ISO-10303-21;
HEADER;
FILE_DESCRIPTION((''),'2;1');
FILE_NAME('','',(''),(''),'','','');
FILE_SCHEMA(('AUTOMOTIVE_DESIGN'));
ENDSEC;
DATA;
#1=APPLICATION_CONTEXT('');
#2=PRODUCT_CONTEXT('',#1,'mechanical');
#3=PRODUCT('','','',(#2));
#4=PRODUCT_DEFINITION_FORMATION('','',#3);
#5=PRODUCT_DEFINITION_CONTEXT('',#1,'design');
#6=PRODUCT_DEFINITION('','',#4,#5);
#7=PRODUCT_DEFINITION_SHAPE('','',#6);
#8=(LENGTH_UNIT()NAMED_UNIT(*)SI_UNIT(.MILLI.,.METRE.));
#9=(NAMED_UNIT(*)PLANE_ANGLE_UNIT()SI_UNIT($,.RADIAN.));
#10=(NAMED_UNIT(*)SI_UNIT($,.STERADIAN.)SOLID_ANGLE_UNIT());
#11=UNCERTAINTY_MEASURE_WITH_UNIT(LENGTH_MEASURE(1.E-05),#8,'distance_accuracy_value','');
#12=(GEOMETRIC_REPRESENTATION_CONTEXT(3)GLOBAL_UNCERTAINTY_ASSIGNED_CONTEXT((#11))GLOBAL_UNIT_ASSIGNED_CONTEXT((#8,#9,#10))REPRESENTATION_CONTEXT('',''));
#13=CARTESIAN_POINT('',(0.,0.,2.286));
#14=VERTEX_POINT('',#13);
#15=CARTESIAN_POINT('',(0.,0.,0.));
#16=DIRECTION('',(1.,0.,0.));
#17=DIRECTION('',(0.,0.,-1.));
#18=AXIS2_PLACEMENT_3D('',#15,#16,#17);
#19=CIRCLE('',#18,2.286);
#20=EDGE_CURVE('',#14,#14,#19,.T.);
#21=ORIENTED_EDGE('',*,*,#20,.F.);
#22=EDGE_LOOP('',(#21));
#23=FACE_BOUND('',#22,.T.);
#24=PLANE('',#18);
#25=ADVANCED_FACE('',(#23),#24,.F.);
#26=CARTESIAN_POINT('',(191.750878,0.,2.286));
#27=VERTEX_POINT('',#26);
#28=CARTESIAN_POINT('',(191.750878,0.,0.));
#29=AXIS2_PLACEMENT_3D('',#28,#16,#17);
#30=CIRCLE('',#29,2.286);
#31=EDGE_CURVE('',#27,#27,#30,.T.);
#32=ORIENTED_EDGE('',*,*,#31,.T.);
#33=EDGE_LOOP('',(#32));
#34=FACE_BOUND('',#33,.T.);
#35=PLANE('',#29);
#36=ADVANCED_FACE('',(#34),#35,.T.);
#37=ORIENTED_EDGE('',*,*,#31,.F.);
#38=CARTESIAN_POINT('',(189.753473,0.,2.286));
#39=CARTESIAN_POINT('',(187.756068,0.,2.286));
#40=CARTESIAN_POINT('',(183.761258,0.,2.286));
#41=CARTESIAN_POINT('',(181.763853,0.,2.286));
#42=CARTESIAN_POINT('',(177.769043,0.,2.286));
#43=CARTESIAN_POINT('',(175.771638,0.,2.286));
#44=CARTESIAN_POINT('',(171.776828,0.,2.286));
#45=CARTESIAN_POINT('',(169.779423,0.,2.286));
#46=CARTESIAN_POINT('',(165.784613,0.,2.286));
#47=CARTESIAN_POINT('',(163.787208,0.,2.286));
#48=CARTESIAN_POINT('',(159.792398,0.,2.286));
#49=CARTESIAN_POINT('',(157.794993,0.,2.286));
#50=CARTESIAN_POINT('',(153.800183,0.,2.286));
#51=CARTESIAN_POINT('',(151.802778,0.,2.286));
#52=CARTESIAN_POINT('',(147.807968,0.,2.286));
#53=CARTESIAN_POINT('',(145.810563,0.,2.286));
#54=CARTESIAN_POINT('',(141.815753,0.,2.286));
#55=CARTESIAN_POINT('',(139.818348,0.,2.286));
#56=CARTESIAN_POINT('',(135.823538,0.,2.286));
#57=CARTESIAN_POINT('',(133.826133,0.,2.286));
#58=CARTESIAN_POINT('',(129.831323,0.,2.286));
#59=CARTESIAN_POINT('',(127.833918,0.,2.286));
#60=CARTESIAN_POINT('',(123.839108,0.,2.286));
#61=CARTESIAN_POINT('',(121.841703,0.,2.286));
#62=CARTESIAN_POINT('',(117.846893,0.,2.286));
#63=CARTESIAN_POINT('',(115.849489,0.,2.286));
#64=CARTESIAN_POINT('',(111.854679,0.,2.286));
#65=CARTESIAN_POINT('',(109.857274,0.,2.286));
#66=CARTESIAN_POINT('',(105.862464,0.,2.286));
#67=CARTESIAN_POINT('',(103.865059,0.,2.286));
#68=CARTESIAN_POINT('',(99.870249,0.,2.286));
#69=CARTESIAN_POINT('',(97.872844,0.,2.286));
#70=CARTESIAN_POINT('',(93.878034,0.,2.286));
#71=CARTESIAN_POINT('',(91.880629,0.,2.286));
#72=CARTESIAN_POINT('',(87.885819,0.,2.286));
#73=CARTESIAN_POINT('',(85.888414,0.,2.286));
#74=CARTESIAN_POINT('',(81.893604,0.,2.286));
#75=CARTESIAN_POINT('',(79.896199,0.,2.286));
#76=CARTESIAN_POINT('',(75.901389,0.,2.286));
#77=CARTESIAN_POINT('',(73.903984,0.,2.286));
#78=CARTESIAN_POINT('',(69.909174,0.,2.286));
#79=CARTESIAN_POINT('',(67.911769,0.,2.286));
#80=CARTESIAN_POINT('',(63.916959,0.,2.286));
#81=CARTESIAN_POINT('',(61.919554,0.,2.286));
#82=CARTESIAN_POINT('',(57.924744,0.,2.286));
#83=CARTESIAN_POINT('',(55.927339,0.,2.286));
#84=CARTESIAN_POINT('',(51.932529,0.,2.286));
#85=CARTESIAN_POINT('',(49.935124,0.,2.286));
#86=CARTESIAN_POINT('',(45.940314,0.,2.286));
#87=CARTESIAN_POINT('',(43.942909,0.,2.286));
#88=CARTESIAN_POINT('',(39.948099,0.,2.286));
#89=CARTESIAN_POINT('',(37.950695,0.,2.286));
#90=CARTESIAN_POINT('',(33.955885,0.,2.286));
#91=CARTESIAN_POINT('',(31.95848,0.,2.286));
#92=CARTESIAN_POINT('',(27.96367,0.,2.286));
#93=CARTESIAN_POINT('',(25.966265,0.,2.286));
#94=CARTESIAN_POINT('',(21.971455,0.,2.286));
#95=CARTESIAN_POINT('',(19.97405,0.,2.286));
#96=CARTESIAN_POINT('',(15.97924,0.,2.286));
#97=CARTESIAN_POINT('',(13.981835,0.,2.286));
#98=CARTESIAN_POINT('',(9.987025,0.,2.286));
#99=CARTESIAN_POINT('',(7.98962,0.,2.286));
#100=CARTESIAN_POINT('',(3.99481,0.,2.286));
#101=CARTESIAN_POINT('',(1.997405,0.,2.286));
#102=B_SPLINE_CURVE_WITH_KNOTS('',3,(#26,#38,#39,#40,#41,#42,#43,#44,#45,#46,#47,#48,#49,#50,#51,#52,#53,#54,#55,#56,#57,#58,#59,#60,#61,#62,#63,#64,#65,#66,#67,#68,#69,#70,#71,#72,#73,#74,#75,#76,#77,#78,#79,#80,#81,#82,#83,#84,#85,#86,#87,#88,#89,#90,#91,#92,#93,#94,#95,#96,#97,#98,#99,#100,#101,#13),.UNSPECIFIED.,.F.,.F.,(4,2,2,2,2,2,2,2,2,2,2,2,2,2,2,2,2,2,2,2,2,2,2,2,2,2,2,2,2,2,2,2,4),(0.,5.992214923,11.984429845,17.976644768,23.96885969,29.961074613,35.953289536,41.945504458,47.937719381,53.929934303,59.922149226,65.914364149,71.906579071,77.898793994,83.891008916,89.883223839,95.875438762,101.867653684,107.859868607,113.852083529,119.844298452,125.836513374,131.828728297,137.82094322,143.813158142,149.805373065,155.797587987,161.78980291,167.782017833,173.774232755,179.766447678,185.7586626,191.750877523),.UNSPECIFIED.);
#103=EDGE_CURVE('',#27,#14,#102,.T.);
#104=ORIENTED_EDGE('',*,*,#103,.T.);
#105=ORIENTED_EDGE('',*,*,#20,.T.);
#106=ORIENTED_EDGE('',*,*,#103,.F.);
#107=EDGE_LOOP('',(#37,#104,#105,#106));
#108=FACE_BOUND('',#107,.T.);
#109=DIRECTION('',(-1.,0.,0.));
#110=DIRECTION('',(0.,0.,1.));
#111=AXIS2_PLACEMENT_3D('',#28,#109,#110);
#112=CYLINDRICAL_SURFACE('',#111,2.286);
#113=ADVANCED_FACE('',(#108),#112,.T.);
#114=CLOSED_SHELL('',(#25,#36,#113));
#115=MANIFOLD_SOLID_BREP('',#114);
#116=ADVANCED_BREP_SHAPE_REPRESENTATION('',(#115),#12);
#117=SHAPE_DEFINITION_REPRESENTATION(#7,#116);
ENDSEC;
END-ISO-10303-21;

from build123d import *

# Parameters (mm, degrees)
SKETCH1_R           = 2.286
BOSS_EXTRUDE1_DEPTH = 191.750877523


with BuildPart() as part:
    # Sketch1 → Boss-Extrude1 (new body)
    with BuildSketch(Plane(origin=(0, 0, 0), x_dir=(0, 0, -1), z_dir=(1, 0, 0))):
        with Locations(Location((0, 0, 0), (0, 0, 180))):
            Circle(SKETCH1_R)
    extrude(amount=BOSS_EXTRUDE1_DEPTH)


solid = part.part
